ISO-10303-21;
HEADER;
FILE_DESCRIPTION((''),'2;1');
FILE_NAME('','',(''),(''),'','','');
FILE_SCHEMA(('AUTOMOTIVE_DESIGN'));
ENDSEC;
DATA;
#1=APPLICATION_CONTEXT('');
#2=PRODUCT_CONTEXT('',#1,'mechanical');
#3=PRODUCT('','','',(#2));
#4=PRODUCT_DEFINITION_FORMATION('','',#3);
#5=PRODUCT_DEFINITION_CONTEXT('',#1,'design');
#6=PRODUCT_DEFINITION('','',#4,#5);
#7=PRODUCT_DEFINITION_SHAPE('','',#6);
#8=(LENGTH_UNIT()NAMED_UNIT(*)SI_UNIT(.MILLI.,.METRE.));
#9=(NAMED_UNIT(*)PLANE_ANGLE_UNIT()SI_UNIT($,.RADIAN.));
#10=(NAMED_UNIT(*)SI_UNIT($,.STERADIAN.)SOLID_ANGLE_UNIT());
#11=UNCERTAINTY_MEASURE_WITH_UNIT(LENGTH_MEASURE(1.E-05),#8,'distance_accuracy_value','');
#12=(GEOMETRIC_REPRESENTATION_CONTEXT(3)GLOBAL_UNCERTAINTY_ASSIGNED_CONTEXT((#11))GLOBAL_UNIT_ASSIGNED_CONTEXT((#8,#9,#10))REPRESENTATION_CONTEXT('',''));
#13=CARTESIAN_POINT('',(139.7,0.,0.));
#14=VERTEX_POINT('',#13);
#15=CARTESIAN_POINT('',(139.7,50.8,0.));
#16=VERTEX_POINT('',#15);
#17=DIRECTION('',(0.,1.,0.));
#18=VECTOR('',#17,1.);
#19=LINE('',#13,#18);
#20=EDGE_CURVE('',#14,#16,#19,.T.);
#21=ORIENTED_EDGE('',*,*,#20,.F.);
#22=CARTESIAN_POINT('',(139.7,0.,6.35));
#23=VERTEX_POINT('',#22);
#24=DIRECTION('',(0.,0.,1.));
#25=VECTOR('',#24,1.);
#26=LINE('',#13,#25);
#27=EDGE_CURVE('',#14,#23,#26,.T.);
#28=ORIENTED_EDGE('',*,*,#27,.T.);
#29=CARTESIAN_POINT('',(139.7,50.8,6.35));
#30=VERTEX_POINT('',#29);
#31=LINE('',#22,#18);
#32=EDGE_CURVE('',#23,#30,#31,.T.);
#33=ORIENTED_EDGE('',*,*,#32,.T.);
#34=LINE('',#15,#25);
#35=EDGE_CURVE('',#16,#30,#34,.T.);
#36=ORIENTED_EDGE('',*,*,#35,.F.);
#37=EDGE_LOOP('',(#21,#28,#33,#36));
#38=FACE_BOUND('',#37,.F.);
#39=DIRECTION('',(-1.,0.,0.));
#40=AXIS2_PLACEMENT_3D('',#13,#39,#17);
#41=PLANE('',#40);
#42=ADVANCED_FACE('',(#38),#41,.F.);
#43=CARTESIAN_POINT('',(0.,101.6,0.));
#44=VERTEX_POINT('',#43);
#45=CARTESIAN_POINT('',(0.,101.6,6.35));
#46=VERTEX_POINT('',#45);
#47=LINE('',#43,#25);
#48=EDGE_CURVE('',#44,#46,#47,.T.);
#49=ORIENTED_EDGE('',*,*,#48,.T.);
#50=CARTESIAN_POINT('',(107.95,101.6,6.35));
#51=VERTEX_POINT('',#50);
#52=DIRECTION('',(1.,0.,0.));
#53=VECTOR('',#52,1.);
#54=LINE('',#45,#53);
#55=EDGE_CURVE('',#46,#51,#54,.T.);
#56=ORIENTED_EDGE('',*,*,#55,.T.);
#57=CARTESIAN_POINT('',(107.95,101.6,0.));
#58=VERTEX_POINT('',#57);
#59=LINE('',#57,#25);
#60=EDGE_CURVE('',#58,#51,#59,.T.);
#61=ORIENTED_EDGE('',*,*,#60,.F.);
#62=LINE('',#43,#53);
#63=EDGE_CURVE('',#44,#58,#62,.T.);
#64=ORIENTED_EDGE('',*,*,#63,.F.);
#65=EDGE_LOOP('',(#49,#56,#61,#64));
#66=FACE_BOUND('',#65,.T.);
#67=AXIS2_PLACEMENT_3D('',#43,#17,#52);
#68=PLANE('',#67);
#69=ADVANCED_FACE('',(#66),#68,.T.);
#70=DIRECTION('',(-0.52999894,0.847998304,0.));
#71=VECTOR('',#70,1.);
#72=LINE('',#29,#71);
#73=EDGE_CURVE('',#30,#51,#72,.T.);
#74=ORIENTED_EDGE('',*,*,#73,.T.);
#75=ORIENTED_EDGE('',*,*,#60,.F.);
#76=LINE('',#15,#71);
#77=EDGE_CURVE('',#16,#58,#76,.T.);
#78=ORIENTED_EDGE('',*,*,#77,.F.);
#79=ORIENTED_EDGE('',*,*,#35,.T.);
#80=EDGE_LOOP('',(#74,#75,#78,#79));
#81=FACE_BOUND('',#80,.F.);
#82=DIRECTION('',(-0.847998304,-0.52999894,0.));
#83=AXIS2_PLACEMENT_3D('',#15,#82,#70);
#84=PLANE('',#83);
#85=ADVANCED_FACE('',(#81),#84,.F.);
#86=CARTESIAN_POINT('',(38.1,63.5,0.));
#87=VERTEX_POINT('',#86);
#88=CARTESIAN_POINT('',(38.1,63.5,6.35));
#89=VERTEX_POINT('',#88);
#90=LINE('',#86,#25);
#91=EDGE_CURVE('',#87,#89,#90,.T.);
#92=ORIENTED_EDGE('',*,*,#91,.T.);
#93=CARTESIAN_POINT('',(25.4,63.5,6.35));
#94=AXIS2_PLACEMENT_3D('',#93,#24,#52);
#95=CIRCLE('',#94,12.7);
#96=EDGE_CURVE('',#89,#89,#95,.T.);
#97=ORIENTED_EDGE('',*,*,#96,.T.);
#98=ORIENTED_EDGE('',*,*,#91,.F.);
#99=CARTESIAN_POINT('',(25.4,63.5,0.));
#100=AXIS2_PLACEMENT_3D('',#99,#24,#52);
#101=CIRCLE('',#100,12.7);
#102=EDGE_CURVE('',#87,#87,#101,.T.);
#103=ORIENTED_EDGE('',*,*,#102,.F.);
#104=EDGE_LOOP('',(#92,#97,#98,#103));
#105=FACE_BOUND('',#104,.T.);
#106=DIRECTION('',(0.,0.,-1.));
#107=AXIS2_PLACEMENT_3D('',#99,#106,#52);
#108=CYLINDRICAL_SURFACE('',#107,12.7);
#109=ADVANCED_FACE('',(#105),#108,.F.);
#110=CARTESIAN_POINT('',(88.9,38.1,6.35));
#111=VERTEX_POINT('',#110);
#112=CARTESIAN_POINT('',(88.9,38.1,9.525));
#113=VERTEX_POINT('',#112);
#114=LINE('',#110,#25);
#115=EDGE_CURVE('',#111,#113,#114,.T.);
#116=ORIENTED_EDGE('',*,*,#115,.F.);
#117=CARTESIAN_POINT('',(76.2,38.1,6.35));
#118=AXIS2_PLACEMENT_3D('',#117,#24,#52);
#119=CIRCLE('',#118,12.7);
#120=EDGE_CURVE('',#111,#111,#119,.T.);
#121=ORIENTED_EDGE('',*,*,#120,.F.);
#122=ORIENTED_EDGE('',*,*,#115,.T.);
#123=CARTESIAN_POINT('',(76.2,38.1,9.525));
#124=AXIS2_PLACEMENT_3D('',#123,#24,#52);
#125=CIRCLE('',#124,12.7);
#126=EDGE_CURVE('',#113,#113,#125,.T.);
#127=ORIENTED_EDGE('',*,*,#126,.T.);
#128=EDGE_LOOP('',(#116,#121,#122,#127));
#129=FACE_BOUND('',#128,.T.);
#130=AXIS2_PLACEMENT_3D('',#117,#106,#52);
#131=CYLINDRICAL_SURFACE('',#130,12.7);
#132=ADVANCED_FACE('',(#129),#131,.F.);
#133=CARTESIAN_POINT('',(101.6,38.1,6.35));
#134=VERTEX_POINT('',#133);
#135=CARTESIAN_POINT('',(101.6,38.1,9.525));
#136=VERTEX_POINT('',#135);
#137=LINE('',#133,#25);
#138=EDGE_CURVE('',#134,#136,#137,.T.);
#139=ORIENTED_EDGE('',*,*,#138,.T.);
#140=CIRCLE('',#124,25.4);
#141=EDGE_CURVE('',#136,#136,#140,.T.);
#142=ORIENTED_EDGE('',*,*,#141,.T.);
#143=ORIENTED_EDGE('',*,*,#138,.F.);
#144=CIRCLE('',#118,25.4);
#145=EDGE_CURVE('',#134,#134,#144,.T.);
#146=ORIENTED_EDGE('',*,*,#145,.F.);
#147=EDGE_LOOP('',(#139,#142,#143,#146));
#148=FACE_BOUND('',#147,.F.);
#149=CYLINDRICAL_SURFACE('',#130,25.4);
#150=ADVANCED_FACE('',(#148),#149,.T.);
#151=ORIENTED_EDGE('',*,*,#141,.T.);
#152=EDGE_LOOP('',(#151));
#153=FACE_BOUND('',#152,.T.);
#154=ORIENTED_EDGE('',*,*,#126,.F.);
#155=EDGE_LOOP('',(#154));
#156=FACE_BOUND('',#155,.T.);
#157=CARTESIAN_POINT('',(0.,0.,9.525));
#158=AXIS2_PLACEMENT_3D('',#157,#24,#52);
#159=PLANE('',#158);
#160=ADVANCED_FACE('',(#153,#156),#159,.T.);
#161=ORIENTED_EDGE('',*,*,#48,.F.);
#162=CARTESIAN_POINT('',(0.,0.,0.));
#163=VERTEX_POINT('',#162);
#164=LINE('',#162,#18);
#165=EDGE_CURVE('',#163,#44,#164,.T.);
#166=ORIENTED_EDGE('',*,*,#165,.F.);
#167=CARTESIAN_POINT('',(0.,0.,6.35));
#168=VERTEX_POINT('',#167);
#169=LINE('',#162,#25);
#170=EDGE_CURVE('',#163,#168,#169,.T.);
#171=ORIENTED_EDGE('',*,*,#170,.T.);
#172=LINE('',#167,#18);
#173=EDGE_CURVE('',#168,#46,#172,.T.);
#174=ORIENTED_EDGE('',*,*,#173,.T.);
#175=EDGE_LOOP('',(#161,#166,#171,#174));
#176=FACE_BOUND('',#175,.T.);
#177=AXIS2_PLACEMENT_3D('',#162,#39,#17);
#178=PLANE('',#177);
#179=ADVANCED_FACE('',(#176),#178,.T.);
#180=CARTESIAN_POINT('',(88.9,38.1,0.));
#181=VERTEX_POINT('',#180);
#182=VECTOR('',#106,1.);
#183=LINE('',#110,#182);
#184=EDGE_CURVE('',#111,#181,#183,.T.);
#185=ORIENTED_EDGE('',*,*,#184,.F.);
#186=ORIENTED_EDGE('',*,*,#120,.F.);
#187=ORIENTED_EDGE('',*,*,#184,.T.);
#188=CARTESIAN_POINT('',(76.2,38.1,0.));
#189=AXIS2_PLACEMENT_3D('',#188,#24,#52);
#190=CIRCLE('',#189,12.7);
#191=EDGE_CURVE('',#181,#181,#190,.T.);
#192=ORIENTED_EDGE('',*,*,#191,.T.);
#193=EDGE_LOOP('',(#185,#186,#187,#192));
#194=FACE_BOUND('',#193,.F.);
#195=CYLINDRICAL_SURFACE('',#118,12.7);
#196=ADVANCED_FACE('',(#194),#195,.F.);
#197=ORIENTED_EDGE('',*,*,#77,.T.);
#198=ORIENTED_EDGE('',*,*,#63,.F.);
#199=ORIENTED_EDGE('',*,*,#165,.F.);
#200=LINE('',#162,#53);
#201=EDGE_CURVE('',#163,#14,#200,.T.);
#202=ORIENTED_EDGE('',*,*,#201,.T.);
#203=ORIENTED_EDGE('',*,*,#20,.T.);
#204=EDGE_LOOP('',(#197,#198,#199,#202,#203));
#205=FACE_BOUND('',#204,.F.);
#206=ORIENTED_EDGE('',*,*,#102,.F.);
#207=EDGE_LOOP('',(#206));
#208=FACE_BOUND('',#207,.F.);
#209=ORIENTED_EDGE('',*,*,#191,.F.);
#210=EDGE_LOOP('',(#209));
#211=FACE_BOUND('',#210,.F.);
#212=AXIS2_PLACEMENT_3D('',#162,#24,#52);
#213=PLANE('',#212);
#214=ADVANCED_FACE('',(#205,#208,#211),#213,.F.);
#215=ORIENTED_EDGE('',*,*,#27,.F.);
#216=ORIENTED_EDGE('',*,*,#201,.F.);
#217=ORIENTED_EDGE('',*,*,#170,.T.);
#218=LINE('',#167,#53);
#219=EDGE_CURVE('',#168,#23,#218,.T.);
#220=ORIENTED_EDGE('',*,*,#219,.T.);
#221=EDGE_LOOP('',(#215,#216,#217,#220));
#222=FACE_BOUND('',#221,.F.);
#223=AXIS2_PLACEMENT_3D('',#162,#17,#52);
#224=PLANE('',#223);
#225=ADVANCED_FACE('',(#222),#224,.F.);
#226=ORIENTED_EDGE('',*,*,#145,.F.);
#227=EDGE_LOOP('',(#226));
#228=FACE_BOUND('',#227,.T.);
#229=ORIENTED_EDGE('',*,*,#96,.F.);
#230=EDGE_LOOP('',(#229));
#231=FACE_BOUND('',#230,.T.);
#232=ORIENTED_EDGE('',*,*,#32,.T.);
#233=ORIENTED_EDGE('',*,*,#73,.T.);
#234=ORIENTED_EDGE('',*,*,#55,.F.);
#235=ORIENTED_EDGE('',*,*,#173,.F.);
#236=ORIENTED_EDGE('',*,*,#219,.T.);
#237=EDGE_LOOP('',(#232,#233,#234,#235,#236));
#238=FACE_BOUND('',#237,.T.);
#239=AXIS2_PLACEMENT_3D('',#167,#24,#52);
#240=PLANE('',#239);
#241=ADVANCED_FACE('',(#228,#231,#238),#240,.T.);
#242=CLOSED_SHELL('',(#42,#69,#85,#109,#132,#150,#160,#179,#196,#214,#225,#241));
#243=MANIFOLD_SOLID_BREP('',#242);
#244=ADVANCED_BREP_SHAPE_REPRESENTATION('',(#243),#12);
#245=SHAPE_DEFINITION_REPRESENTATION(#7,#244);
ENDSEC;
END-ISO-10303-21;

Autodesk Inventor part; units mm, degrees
ref_plane "YZ Plane" through (0, 0, 0) normal (1, 0, 0) x (0, 1, 0)
ref_plane "XZ Plane" through (0, 0, 0) normal (0, 1, 0) x (-1, 0, 0)
ref_plane "XY Plane" through (0, 0, 0) normal (0, 0, 1) x (1, 0, 0)
sketch "Sketch1" plane through (0, 0, 0) normal (0, 0, 1) x (1, 0, 0)
  line L0 (0, 0) -> (0, 101.6)
  line L1 (0, 101.6) -> (107.95, 101.6)
  circle A0 centre (76.2, 38.1) radius 12.7
  circle A1 centre (76.2, 38.1) radius 25.4
  circle A2 centre (25.4, 63.5) radius 12.7
  line L2 (0, 0) -> (139.7, 0)
  line L3 (139.7, 0) -> (139.7, 50.8)
  line L4 (139.7, 50.8) -> (107.95, 101.6)
  dimension "d0" = 101.6
  dimension "d1" = 107.95
  dimension "d4" = 25.4
  dimension "d5" = 50.8
  dimension "d8" = 25.4
  dimension "d9" = 139.7
  dimension "d11" = 50.8
extrude "Extrusion1" add sketch "Sketch1" along normal blind 6.35 contours L0 L1 L4 L3 L2
sketch "Sketch2" plane through (0, 0, 6.35) normal (0, 0, 1) x (1, 0, 0)
  circle A0 centre (76.2, 38.1) radius 12.7
  circle A1 centre (76.2, 38.1) radius 25.4
  point P0 (0, 0)
  dimension "d16" = 25.4
extrude "Extrusion2" add sketch "Sketch2" along normal blind 3.175 and the other way blind 6.35
properties part number "Assignment 3.2 - Guide Plate"
